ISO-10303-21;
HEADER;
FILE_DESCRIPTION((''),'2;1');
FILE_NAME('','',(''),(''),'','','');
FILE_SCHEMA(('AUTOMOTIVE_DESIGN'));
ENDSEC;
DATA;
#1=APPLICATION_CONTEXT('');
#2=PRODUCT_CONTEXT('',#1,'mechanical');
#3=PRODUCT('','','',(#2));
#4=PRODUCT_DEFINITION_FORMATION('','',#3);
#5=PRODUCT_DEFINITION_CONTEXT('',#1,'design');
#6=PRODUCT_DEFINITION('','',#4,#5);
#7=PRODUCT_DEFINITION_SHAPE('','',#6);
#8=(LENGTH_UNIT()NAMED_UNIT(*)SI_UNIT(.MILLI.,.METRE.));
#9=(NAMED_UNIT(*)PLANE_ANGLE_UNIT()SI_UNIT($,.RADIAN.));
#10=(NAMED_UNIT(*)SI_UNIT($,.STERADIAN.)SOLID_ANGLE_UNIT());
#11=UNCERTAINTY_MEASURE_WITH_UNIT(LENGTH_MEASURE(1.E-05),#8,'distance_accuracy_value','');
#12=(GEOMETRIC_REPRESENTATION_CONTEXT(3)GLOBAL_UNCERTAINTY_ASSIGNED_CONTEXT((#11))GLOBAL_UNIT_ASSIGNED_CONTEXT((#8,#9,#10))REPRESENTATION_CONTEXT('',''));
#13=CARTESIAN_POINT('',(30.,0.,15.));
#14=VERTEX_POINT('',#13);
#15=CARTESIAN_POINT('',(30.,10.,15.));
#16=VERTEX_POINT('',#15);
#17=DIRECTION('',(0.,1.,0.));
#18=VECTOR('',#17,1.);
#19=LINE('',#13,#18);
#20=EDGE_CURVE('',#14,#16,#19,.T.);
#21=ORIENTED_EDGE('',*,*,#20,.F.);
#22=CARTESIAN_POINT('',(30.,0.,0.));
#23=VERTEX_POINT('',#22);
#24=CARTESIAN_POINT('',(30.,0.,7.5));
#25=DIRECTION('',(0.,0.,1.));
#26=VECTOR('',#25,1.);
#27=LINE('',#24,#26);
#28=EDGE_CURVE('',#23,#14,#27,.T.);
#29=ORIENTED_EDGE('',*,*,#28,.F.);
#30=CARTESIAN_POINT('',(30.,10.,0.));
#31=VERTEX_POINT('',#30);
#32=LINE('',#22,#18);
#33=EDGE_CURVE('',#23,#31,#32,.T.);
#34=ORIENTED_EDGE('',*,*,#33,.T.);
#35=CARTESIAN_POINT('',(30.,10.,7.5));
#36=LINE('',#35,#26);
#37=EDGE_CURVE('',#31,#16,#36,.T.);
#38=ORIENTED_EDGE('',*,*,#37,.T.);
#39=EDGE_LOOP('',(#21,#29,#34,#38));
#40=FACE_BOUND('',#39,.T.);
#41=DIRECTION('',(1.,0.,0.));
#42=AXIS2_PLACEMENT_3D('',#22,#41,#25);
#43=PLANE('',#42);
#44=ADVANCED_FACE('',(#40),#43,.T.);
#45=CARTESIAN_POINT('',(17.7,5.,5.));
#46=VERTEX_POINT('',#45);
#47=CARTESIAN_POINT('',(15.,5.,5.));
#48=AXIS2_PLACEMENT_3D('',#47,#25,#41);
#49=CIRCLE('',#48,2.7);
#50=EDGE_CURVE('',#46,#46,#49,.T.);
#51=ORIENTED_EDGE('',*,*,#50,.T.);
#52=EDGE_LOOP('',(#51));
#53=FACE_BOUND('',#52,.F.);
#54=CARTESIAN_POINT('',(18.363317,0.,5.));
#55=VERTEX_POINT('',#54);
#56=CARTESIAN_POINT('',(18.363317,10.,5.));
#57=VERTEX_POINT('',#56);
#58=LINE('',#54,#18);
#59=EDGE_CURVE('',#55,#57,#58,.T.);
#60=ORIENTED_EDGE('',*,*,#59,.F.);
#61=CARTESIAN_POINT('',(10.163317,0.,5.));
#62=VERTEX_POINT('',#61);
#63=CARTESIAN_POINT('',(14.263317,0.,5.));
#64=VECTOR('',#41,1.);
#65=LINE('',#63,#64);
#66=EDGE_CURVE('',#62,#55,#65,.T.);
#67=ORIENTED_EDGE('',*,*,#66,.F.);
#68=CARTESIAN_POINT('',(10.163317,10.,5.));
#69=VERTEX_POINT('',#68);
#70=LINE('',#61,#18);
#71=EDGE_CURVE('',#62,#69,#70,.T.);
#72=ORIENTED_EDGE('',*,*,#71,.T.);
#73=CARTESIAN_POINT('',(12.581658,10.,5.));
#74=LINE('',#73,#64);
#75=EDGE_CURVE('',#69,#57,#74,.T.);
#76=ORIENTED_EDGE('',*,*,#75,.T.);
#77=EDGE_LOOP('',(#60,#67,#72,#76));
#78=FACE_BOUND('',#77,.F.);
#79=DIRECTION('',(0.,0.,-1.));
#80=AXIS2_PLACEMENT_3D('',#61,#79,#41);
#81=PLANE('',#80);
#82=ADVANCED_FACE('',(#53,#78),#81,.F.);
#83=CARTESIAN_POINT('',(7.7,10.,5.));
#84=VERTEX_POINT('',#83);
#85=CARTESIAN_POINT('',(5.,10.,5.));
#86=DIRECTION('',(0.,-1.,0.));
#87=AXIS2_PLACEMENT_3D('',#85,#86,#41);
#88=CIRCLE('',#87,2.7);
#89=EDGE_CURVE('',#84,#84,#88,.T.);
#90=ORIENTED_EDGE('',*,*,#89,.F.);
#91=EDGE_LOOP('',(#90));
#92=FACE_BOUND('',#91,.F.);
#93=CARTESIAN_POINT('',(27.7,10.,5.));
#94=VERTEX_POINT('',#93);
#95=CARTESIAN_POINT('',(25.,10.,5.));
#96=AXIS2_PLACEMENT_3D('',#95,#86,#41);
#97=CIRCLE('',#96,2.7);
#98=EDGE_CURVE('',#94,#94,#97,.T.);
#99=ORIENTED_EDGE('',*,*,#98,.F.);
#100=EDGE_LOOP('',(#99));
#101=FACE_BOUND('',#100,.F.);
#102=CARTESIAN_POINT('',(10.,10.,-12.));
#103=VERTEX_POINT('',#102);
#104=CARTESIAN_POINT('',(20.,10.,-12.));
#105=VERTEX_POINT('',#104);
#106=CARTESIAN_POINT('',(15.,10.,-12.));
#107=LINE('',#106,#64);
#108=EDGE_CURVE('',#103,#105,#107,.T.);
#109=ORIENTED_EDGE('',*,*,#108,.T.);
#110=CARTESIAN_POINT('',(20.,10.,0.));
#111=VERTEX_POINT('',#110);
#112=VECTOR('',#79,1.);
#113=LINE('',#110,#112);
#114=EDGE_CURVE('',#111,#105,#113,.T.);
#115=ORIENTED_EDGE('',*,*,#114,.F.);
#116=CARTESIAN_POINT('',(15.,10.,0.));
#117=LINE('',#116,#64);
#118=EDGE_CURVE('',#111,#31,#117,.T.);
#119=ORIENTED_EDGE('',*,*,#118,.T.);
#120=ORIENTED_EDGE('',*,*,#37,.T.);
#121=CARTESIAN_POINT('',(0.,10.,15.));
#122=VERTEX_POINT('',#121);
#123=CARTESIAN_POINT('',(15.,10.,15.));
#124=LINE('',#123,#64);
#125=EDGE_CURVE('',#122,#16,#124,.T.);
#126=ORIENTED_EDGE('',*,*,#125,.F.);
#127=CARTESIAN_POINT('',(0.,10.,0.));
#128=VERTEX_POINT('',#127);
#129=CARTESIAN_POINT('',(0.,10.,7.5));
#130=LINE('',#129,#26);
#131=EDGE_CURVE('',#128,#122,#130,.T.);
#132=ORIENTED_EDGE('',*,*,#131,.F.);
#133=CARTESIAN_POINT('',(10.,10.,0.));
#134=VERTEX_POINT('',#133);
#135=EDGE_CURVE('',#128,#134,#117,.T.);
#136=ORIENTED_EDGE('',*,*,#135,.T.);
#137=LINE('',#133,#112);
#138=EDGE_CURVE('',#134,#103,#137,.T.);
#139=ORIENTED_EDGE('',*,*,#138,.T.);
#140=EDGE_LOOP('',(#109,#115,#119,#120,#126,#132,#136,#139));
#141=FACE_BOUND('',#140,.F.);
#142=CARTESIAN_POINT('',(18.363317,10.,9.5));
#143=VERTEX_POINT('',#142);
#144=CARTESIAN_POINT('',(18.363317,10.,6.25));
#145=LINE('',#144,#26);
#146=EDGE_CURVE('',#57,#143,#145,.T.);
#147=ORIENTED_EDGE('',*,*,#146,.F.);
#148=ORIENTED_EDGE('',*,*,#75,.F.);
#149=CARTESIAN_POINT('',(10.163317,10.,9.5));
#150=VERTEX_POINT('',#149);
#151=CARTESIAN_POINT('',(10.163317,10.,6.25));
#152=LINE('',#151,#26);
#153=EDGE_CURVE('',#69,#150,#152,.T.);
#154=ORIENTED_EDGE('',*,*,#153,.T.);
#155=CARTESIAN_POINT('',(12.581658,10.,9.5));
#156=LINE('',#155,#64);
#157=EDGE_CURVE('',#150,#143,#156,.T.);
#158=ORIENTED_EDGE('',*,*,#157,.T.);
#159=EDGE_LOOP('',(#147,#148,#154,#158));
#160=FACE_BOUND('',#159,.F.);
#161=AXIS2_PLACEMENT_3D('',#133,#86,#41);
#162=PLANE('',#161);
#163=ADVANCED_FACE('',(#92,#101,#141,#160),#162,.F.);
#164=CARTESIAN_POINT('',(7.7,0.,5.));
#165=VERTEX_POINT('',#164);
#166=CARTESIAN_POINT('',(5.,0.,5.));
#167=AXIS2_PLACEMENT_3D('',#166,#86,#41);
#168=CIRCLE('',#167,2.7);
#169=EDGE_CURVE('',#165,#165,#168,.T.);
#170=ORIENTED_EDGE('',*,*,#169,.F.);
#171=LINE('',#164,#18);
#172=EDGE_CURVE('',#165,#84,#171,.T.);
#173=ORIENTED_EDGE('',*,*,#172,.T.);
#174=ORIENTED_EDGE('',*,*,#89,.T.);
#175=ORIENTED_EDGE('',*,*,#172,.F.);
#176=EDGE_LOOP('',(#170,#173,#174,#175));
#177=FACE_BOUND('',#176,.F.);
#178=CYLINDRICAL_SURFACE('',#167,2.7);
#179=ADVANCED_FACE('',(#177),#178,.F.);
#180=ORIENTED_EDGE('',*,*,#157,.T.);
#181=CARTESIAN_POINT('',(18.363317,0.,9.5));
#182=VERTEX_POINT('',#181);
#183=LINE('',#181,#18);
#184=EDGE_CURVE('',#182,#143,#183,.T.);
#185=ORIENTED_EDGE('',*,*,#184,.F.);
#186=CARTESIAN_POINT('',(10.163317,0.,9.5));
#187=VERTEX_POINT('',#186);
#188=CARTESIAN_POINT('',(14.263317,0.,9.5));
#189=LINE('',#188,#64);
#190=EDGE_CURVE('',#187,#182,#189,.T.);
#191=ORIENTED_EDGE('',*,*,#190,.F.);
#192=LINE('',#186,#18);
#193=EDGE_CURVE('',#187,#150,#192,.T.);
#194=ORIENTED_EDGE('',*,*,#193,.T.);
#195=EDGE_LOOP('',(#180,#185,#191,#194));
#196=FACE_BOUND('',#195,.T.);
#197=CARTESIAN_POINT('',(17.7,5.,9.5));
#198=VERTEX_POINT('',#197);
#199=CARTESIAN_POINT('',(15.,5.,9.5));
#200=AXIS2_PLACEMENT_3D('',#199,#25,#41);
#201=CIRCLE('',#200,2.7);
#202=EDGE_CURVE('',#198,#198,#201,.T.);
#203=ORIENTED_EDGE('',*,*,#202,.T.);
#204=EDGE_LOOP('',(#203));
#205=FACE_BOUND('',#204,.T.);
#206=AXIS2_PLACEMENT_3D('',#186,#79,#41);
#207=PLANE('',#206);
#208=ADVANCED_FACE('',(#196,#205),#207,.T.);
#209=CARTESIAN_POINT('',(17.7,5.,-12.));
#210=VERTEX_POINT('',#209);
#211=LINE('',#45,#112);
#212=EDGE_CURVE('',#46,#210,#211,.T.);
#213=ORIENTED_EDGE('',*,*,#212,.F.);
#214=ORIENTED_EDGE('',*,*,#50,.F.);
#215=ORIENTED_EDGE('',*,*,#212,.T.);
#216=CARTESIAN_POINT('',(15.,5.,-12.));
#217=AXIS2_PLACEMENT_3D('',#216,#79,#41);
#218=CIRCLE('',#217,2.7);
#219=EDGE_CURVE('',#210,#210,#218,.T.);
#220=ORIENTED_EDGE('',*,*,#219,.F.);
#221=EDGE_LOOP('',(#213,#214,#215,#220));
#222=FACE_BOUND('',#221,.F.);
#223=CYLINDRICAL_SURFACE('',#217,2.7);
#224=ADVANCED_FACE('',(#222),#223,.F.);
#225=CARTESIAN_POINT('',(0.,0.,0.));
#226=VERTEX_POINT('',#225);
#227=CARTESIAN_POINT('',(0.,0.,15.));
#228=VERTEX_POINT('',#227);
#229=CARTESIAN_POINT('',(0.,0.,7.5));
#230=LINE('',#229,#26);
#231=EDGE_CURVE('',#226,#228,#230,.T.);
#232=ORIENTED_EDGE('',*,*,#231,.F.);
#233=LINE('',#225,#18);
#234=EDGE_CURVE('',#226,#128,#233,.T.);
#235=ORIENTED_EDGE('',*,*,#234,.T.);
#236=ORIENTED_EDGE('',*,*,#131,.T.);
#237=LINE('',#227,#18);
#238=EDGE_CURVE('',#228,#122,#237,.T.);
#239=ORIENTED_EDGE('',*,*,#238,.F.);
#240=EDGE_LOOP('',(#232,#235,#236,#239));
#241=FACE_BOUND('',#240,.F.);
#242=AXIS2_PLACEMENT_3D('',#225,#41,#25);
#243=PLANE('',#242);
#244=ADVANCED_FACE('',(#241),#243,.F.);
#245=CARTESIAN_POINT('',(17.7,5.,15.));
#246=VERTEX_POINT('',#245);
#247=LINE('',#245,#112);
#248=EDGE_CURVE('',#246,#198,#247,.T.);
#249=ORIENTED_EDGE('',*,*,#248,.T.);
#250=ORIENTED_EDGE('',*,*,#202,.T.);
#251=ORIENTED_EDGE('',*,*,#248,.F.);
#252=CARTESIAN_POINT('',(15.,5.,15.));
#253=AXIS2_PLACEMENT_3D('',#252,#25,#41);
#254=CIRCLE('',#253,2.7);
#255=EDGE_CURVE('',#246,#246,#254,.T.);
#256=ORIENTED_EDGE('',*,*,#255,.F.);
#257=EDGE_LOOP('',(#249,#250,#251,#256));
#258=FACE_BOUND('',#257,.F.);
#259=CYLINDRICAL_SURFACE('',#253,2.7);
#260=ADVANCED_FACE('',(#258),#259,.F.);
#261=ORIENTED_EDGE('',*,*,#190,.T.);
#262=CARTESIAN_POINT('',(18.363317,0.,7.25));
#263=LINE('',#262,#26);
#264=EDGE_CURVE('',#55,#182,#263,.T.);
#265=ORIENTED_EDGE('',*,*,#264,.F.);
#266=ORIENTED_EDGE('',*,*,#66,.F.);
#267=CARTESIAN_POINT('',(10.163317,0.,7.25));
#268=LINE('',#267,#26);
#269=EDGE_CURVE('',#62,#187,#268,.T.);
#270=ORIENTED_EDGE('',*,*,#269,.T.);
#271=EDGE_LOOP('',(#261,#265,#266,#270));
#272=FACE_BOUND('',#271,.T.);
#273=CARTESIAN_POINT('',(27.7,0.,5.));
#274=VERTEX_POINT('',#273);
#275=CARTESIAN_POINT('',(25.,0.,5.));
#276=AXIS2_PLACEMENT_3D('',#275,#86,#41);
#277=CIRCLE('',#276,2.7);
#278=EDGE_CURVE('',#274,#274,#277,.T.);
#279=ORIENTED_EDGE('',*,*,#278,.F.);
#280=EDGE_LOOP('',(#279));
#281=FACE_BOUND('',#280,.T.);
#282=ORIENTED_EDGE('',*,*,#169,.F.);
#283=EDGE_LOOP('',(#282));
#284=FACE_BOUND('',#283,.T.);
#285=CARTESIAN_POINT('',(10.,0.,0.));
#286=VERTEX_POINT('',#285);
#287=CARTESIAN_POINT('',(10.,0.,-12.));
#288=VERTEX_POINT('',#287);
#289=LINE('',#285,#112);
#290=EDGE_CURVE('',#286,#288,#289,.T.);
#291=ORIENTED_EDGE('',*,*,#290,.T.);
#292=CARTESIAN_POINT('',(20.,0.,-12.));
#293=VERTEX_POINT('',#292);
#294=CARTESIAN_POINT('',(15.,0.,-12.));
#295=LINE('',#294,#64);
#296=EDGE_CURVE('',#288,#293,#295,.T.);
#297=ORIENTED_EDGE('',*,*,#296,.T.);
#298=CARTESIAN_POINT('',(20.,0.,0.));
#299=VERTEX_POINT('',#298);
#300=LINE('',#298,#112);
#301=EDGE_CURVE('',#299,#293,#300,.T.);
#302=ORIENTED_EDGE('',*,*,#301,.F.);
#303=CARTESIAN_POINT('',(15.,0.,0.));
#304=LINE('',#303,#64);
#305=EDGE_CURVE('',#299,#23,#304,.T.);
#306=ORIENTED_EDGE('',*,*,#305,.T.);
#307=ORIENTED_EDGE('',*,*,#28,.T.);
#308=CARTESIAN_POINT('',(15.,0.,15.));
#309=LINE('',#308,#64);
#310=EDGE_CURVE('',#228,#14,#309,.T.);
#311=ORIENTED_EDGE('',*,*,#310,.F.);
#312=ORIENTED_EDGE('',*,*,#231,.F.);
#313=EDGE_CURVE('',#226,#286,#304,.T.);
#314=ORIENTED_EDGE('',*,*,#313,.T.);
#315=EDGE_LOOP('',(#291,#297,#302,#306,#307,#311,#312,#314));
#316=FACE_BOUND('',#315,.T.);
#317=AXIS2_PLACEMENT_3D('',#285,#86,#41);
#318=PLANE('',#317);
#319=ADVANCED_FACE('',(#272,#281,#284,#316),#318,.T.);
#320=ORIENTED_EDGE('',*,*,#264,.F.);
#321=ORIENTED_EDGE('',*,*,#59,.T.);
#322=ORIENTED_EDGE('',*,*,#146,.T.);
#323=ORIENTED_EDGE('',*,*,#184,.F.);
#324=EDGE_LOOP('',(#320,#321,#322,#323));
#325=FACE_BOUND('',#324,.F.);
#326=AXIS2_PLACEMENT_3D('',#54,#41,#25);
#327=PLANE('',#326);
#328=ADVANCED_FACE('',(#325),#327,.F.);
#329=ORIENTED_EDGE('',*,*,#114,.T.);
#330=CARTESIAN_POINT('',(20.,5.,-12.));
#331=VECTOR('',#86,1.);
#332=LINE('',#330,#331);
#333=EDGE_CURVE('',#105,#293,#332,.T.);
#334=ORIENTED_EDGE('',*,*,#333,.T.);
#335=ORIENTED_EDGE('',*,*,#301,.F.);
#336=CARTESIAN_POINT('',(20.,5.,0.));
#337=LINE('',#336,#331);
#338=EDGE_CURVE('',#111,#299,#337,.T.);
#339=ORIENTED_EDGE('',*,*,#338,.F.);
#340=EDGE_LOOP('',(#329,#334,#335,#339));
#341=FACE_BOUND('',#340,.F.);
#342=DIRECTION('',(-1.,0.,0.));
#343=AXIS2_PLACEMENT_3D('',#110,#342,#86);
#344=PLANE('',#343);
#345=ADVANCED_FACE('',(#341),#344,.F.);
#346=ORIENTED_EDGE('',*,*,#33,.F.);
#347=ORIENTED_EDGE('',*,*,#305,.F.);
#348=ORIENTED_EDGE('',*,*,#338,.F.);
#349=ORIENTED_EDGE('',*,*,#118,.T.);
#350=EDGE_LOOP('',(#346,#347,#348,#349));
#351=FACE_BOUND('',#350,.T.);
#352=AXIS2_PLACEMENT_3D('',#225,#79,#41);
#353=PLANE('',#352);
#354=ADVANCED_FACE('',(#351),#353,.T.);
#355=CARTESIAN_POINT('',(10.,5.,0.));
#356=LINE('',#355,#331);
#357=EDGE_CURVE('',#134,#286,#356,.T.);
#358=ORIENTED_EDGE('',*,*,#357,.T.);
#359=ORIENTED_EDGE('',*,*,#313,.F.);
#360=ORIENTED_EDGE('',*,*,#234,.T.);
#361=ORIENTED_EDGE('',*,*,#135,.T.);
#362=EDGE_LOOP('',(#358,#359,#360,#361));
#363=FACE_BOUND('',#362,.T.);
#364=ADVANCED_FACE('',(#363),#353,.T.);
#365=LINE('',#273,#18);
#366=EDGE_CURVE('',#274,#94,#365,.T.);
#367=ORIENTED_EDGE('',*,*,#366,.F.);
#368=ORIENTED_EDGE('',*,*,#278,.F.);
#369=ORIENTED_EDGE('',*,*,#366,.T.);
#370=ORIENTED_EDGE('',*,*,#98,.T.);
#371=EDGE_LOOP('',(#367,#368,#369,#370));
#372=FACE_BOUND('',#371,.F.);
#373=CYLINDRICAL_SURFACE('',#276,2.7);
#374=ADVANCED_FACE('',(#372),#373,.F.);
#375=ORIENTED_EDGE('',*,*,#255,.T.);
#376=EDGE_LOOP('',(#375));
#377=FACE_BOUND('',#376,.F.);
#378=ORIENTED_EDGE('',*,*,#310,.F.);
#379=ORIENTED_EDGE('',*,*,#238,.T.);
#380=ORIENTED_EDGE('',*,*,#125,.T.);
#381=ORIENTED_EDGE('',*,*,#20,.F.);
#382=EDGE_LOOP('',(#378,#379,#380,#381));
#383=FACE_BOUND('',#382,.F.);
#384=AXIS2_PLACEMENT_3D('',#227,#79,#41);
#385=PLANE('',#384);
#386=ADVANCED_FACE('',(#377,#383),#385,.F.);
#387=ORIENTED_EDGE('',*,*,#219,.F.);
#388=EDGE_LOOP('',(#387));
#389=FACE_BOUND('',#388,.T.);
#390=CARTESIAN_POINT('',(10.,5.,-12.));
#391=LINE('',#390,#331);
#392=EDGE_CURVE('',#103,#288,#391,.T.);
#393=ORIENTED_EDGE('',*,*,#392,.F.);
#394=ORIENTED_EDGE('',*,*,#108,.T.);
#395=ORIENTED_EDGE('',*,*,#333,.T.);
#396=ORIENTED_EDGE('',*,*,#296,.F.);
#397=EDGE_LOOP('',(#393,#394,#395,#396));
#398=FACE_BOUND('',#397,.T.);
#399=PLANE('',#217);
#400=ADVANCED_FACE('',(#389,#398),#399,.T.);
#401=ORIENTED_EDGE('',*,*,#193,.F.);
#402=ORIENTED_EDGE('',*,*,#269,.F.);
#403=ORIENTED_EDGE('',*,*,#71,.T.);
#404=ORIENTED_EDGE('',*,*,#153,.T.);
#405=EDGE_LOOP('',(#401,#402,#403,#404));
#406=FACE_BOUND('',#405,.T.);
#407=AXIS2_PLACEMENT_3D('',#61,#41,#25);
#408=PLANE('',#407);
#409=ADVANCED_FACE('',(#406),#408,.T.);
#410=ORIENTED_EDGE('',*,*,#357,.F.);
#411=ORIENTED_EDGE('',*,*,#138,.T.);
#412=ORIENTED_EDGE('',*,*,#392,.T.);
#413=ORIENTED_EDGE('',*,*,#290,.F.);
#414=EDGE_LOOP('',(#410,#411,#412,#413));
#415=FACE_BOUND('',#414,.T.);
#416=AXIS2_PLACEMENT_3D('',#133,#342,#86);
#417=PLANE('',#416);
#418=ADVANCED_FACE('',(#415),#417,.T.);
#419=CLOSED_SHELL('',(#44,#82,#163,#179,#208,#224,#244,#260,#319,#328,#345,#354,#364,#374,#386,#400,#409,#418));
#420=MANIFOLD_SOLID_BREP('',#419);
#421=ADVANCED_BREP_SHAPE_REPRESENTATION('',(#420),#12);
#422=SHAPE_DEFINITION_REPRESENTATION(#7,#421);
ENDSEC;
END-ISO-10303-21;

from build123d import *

# Parameters (mm, degrees)
SKETCH_AS_DRAWN_W              = 30
SKETCH_AS_DRAWN_H              = 15
SKETCH_AS_DRAWN_R              = 2.7
EXTRUDE_DEPTH                  = 10
EXTRUDE_ONTO_SKETCH_ROLL_ANGLE = 90
SKETCH001_R                    = 2.7
POCKET_DEPTH                   = 15.001
SKETCH002_W                    = 8.2
SKETCH002_H                    = 4.5
POCKET001_DEPTH                = 10.001
SKETCH003_W                    = 10
SKETCH003_H                    = 10
PAD_DEPTH                      = 12
SKETCH004_R                    = 2.7
POCKET002_DEPTH                = 27.001


with BuildPart() as part:
    # Sketch as drawn → Extrude (new)
    with BuildSketch(Plane.XY):
        with Locations((15, 7.5)):
            Rectangle(SKETCH_AS_DRAWN_W, SKETCH_AS_DRAWN_H)
        with Locations((5, 5)):
            Circle(SKETCH_AS_DRAWN_R, mode=Mode.SUBTRACT)
        with Locations((25, 5)):
            Circle(SKETCH_AS_DRAWN_R, mode=Mode.SUBTRACT)
    extrude(amount=-EXTRUDE_DEPTH)


with BuildPart() as part_1:
    # Extrude onto Sketch roll: moved
    add(part.part.rotate(Axis((0, 0, 0), (1, 0, 0)), EXTRUDE_ONTO_SKETCH_ROLL_ANGLE))


with BuildPart() as part_2:
    # Extrude onto Sketch placement: moved
    add(part_1.part)

    # Sketch001 → Pocket (cut, through all)
    with BuildSketch(Plane.XY.offset(15)):
        with Locations((15, 5)):
            Circle(SKETCH001_R)
    extrude(amount=-POCKET_DEPTH, mode=Mode.SUBTRACT)

    # Sketch002 → Pocket001 (cut, through all)
    with BuildSketch(Plane.XZ):
        with Locations((14.263317, 7.25)):
            Rectangle(SKETCH002_W, SKETCH002_H)
    extrude(amount=-POCKET001_DEPTH, mode=Mode.SUBTRACT)

    # Sketch003 → Pad (new body)
    with BuildSketch(Plane(origin=(0, 0, 0), x_dir=(1, 0, 0), z_dir=(0, 0, -1))):
        with Locations((15, -5)):
            Rectangle(SKETCH003_W, SKETCH003_H)
    extrude(amount=PAD_DEPTH)

    # Sketch004 → Pocket002 (cut, through all)
    with BuildSketch(Plane(origin=(0, 0, -12), x_dir=(1, 0, 0), z_dir=(0, 0, -1))):
        with Locations((15, -5)):
            Circle(SKETCH004_R)
    extrude(amount=-POCKET002_DEPTH, mode=Mode.SUBTRACT)


solid = part_2.part
